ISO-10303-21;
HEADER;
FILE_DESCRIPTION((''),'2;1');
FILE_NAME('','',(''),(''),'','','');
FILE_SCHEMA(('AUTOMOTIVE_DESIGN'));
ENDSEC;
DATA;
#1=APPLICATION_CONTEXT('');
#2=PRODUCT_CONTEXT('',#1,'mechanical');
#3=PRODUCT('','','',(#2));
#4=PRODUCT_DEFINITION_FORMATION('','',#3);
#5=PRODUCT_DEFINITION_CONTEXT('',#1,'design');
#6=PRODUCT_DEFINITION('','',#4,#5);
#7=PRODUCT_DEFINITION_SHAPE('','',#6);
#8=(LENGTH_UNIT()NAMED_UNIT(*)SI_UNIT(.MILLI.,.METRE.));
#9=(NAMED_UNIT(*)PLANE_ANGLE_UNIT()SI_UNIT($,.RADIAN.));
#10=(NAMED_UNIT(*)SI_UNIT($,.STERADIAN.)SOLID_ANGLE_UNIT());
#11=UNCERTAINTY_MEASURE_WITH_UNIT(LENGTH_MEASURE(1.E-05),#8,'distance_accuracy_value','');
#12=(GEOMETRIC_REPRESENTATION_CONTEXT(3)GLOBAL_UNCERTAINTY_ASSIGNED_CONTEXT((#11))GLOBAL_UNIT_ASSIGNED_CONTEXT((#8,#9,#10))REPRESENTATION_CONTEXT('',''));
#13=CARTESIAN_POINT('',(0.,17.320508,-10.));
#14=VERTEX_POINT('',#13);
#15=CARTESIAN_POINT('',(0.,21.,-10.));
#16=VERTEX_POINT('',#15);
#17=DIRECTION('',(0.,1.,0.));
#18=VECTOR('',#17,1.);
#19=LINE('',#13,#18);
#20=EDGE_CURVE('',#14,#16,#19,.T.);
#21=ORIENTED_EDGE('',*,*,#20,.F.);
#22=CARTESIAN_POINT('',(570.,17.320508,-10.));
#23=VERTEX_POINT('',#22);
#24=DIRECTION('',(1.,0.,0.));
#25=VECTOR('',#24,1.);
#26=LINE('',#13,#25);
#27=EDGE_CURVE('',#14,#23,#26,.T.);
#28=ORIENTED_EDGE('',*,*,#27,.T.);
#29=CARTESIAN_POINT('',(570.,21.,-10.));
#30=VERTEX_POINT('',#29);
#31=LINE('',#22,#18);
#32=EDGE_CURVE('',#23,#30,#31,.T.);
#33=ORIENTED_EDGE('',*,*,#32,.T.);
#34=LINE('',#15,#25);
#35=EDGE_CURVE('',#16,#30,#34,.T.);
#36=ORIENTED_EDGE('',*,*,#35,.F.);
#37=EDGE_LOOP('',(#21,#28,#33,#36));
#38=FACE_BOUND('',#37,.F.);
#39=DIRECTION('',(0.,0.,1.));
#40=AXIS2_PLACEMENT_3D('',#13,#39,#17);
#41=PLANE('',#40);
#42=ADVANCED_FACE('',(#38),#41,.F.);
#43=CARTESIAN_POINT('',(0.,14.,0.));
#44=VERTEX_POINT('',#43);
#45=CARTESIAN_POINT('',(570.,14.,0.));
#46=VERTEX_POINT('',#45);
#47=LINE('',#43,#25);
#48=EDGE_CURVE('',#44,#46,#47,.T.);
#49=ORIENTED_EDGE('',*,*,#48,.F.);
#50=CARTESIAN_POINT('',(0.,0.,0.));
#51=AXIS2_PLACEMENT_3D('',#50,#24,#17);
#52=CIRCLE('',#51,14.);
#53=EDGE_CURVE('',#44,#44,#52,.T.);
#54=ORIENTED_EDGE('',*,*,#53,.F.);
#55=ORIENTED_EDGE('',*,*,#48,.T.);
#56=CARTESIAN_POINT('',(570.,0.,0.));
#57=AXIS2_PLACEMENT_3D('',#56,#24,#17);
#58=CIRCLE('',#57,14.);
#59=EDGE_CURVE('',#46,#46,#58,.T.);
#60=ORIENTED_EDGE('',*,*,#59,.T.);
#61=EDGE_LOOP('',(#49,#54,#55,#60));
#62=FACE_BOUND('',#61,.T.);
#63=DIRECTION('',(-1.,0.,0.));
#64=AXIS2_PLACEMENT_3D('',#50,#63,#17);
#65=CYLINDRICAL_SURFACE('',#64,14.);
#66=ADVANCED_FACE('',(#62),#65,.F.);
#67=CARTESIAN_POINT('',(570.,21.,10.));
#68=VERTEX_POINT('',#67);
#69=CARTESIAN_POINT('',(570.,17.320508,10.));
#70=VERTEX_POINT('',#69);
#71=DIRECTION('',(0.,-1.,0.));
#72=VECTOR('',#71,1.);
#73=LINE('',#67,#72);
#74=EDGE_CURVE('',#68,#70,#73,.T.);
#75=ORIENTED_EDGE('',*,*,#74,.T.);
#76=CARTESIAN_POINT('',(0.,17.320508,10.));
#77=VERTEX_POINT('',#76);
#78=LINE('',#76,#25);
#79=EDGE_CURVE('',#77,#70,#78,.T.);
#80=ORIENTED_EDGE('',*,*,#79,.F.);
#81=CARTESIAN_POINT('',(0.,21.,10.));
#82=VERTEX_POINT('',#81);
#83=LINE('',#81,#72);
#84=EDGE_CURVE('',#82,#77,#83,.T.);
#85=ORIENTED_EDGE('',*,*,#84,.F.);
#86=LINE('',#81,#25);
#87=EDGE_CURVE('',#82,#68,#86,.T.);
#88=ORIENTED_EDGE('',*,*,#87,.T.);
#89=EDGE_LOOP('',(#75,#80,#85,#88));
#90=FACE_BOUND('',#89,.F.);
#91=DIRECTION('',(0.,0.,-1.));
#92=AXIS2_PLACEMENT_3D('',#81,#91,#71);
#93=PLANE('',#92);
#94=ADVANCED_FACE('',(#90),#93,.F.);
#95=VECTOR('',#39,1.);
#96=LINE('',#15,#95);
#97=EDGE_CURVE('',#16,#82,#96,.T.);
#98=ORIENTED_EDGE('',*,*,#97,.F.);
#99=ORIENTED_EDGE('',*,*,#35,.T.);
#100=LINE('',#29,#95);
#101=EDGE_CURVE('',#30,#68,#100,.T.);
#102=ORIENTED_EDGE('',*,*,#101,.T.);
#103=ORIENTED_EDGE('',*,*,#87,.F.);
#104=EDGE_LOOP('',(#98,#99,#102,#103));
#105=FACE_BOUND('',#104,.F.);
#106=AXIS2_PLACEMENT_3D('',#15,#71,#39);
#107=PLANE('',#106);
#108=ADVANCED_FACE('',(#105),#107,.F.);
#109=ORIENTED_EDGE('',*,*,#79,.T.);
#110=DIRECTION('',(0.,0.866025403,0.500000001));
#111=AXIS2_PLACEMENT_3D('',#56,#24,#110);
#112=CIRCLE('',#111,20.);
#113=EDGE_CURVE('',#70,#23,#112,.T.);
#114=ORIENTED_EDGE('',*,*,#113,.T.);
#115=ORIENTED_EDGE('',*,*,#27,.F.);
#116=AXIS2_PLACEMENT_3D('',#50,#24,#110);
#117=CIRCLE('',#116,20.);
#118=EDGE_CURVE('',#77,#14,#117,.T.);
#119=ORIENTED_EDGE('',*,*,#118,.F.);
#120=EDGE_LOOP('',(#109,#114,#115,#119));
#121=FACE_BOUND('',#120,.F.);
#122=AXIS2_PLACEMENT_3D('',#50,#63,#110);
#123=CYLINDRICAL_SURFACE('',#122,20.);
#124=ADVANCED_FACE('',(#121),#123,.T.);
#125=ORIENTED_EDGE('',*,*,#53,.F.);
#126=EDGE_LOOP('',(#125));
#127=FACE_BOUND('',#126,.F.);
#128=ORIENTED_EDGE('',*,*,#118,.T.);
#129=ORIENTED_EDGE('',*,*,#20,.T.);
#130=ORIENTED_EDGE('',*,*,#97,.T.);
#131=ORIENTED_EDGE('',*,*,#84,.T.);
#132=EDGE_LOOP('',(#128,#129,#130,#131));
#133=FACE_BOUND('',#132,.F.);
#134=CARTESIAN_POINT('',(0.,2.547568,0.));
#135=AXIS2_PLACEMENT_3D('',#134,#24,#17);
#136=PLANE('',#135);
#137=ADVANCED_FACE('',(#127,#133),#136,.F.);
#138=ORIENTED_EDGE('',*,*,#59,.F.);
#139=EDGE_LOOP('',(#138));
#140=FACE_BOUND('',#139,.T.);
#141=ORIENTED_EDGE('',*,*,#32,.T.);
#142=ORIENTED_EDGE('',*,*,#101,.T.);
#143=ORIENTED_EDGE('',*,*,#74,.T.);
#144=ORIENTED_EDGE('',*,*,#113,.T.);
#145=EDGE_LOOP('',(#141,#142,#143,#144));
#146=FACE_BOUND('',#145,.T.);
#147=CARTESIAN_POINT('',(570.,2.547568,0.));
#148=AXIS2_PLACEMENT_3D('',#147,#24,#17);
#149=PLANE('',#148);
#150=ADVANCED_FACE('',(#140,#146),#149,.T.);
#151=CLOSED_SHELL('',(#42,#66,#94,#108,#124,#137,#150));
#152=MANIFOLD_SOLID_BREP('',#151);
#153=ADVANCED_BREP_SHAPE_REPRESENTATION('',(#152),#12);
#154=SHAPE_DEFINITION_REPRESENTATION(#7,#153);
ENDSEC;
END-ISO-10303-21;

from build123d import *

# Parameters (mm, degrees)
F0_R     = 14
F1_DEPTH = 570


with BuildPart() as f1:
    # F0 (on Right) → F1 (new body)
    with BuildSketch(Plane.YZ):
        with BuildLine():
            Line((21, 10), (17.320508, 10))
            ThreePointArc((17.320508, 10), (-20, 0), (17.320508, -10))
            Line((17.320508, -10), (21, -10))
            Line((21, -10), (21, 10))
        make_face()
        Circle(F0_R, mode=Mode.SUBTRACT)
    extrude(amount=F1_DEPTH)


solid = f1.part
